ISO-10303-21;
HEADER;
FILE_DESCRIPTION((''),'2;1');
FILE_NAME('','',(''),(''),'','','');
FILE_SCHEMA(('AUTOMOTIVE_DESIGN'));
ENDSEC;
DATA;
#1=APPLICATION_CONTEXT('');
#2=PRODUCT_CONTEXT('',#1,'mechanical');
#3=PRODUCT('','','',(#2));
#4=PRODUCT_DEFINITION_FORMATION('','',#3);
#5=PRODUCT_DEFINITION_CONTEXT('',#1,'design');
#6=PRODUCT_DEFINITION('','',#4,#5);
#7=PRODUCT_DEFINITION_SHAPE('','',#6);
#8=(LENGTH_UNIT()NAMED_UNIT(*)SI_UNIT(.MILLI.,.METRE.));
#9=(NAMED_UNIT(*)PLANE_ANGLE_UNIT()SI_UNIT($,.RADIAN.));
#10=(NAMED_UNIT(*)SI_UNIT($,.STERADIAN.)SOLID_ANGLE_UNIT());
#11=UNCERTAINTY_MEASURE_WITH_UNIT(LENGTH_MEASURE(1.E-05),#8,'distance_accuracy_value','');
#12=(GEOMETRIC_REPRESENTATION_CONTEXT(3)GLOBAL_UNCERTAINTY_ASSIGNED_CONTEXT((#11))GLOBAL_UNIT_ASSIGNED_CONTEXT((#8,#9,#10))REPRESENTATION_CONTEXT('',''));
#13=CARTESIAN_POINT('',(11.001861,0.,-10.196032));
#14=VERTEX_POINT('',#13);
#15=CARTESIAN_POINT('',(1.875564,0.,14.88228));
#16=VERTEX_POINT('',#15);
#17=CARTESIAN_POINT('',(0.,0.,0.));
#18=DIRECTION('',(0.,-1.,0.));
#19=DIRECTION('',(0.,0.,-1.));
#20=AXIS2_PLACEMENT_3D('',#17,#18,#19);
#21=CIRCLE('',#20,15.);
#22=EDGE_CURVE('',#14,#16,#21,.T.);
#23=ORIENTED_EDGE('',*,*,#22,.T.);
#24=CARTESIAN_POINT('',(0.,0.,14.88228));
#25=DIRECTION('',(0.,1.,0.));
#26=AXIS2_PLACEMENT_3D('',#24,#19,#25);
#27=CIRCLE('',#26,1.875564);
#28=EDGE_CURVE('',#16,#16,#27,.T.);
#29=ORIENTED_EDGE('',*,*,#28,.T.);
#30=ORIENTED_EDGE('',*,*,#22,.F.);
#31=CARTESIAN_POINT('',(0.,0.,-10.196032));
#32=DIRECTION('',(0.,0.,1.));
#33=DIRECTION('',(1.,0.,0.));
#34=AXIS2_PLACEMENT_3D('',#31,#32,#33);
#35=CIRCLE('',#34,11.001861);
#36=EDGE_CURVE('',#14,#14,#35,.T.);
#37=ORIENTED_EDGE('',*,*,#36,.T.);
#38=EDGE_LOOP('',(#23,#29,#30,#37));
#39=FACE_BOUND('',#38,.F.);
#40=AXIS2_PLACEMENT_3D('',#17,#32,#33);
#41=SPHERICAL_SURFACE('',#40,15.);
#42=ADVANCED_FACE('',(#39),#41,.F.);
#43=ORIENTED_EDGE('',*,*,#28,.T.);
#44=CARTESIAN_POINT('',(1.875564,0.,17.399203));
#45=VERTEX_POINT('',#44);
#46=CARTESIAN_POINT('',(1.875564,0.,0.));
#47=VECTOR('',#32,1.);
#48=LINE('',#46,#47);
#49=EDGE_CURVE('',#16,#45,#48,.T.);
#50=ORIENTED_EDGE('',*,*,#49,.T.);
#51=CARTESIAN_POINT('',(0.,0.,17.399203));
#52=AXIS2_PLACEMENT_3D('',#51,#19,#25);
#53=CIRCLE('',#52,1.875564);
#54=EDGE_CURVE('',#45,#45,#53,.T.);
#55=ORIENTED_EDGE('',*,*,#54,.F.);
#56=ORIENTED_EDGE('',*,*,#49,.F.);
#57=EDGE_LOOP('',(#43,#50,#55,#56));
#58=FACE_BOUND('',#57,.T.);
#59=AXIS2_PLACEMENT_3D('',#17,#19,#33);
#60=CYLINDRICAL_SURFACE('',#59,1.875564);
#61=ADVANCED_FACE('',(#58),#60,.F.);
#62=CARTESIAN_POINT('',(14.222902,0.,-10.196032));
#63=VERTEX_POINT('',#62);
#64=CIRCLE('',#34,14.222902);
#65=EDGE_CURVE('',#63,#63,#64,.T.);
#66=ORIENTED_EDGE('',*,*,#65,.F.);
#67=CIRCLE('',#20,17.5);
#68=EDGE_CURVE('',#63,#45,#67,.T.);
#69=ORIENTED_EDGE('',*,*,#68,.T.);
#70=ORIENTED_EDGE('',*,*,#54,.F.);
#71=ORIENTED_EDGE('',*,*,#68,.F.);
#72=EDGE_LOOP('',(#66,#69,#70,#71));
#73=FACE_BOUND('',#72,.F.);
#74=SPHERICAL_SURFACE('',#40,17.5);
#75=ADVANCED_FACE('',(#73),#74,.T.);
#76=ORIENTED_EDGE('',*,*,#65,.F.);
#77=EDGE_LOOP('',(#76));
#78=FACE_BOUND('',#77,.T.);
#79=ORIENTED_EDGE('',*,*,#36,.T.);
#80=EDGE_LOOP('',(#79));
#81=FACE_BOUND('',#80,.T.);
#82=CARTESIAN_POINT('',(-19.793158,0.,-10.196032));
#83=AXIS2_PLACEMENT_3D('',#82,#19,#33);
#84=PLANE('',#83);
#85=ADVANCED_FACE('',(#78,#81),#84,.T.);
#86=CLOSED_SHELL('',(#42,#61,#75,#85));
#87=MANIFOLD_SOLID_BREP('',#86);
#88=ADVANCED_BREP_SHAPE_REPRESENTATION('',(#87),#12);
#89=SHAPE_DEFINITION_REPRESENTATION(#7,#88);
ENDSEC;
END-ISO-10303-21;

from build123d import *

# Parameters (mm, degrees)
F5_W     = 42.267536
F5_H     = 10.794579
F6_DEPTH = 30
F7_R     = 1.875564
F8_DEPTH = 25


with BuildPart() as f1:
    # F0 (on Front) → F1 (revolve)
    with BuildSketch(Plane.XZ):
        with BuildLine():
            Line((0, 0), (0, -17.5))
            ThreePointArc((0, -17.5), (17.5, 0), (0, 17.5))
            Line((0, 17.5), (0, 0))
        make_face()
    revolve(axis=Axis((0, 0, -8.75), (0, 0, -1)))


with BuildPart() as f3:
    # F2 (on Front) → F3 (revolve)
    with BuildSketch(Plane.XZ):
        with BuildLine():
            Line((0, 15), (0, -15))
            ThreePointArc((0, -15), (15, 0), (0, 15))
        make_face()
    revolve(axis=Axis((0, 0, 8.75), (0, 0, 1)))


with BuildPart() as f1_1:
    add(f1.part)

    # F4: cut F3
    add(f3.part, mode=Mode.SUBTRACT)

    # F5 (on Front) → F6 (cut, symmetric)
    with BuildSketch(Plane.XZ):
        with Locations((1.34061, -15.593321)):
            Rectangle(F5_W, F5_H)
    extrude(amount=F6_DEPTH, both=True, mode=Mode.SUBTRACT)

    # F7 (on Top) → F8 (cut)
    with BuildSketch(Plane.XY):
        Circle(F7_R)
    extrude(amount=F8_DEPTH, mode=Mode.SUBTRACT)


solid = f1_1.part
